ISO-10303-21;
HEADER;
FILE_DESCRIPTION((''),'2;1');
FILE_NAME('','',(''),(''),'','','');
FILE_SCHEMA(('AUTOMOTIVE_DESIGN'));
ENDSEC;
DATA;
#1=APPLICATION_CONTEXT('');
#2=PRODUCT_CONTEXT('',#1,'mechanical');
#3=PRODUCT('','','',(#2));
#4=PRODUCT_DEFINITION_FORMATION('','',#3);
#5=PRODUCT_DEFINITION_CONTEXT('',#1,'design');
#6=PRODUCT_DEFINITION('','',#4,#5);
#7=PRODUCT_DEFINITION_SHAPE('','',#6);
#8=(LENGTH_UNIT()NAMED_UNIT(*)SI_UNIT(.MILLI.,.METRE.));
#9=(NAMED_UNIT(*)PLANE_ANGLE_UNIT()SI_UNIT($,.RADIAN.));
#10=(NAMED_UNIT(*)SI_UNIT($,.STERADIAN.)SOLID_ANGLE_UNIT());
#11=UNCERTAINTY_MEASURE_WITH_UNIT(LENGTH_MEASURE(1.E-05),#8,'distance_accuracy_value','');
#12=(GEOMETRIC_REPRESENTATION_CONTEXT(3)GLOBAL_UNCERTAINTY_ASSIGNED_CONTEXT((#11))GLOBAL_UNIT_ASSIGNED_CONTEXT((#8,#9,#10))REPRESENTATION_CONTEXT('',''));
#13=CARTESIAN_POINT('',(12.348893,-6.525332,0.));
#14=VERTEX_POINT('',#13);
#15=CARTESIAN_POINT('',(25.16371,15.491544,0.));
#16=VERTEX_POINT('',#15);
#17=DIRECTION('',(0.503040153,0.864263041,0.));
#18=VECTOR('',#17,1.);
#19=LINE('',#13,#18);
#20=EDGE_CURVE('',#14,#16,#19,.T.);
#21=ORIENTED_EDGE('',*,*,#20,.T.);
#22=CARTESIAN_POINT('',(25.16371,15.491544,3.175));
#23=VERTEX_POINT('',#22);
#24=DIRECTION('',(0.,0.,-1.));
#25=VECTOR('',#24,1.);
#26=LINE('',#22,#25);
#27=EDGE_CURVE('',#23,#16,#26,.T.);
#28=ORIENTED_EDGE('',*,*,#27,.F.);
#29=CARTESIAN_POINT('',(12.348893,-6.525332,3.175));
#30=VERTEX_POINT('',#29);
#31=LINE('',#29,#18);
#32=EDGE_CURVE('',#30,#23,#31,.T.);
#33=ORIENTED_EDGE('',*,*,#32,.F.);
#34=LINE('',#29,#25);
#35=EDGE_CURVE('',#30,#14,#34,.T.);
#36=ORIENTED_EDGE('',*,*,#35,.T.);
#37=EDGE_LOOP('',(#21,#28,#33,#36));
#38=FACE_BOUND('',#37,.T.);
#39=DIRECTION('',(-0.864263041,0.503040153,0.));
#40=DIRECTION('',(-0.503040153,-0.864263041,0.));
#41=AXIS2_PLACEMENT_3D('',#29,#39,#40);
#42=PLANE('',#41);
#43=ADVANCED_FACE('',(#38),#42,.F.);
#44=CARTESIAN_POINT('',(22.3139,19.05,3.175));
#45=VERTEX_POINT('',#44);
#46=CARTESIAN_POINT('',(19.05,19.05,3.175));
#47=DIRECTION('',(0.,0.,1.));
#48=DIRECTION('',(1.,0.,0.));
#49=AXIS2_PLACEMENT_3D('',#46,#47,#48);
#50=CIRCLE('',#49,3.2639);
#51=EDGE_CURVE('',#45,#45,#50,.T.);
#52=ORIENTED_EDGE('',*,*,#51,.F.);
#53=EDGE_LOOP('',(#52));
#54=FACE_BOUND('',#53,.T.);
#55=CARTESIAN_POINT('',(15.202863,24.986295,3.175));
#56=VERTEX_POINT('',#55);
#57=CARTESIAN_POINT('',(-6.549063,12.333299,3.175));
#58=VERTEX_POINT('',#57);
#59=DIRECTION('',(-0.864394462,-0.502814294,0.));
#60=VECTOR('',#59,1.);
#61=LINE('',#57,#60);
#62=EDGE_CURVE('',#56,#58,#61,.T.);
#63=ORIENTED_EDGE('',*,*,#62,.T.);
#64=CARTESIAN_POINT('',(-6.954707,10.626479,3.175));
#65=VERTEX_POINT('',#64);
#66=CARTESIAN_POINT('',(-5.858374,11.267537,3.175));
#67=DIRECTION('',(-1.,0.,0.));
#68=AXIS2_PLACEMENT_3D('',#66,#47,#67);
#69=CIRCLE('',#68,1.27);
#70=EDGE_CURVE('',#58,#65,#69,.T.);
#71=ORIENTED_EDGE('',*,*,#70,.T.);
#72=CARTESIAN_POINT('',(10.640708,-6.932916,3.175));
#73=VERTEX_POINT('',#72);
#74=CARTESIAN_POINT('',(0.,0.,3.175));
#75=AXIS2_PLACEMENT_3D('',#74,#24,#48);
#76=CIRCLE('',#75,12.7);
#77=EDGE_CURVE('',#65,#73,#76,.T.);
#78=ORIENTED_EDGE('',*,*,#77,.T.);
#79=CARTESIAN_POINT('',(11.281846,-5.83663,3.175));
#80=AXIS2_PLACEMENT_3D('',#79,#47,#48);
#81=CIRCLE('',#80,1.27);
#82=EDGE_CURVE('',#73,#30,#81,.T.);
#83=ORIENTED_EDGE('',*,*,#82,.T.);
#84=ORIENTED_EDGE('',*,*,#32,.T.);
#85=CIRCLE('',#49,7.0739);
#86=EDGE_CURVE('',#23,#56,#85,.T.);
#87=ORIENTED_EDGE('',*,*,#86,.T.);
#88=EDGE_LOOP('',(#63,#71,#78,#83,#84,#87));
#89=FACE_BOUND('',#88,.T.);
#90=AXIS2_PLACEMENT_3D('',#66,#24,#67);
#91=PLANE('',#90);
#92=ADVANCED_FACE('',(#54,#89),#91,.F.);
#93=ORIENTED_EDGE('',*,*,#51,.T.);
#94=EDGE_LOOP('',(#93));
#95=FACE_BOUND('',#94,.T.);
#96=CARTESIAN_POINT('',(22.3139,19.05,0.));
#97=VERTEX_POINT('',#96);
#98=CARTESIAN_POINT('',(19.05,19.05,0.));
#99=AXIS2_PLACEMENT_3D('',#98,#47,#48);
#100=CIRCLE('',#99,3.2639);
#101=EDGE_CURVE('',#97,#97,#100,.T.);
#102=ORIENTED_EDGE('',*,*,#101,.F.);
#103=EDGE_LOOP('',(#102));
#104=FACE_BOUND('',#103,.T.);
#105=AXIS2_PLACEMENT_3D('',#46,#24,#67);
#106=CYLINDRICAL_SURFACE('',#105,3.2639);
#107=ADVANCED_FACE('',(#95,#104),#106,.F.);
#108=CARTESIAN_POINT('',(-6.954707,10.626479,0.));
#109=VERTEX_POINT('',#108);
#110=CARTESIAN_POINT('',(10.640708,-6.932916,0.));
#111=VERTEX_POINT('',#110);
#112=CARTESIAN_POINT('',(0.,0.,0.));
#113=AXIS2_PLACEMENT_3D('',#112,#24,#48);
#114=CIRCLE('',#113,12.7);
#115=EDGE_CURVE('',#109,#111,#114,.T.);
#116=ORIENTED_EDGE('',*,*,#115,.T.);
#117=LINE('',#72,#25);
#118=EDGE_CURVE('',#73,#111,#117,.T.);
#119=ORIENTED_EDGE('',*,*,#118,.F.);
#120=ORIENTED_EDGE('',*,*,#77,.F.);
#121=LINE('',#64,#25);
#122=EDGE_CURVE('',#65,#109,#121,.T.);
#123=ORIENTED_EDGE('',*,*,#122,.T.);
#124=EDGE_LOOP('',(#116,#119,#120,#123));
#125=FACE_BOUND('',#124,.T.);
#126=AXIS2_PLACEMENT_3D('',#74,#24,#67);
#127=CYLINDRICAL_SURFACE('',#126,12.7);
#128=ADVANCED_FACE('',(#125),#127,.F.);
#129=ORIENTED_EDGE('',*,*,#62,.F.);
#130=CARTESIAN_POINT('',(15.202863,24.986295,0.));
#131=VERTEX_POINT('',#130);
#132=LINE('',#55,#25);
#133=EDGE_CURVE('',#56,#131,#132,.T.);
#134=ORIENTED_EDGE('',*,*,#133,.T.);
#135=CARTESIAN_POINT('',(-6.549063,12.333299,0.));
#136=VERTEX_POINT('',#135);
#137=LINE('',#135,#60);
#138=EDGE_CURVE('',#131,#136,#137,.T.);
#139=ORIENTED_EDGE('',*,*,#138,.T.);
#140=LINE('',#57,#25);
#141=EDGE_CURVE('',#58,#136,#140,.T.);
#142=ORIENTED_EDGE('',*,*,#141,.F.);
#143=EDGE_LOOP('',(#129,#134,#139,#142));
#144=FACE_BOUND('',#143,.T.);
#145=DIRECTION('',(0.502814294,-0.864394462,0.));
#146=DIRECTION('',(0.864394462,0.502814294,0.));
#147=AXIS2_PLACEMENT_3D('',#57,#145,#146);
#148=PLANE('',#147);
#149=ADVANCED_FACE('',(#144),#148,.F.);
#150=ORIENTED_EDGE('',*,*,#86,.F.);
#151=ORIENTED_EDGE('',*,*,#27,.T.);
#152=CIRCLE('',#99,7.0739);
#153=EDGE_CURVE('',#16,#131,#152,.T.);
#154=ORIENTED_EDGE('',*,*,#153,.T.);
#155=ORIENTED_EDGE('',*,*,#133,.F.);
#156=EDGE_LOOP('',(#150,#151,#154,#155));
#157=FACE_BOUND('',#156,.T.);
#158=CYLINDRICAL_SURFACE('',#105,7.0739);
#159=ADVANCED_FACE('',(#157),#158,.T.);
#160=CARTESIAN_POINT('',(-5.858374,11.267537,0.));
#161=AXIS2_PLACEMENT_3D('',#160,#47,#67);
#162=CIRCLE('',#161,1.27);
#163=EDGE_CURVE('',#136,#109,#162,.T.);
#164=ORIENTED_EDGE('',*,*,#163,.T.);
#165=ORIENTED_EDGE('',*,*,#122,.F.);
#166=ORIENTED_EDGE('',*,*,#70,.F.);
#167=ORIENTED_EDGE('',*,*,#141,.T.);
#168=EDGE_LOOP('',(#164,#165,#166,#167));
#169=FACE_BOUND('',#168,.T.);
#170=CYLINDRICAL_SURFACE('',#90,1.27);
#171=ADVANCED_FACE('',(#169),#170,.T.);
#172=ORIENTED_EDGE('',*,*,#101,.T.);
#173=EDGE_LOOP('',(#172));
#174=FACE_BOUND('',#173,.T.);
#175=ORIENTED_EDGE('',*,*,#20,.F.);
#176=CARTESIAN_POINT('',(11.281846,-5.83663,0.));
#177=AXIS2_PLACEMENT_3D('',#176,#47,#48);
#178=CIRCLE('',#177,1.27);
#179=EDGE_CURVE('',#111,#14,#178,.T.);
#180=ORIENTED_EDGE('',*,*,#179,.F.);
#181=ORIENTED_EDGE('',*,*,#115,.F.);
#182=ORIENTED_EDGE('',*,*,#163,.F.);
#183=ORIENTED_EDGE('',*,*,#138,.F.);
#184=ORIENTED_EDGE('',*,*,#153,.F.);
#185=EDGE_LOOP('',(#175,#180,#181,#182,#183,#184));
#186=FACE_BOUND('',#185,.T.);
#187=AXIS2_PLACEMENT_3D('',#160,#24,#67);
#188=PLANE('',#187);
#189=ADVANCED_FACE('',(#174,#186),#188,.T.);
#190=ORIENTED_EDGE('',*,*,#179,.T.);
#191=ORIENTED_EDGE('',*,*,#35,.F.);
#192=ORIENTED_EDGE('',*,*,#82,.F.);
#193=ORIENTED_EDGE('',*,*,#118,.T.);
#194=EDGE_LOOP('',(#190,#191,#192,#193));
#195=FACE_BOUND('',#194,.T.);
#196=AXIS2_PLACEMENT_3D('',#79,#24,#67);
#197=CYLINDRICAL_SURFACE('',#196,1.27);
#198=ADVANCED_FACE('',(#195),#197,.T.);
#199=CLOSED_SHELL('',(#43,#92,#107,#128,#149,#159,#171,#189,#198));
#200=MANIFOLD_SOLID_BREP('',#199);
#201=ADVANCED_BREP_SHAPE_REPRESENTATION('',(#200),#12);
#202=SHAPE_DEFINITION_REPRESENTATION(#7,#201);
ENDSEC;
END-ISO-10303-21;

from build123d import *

# Parameters (mm, degrees)
SKETCH1_R           = 3.2639
BOSS_EXTRUDE1_DEPTH = 3.175


with BuildPart() as part:
    # Sketch1 → Boss-Extrude1 (new body)
    with BuildSketch(Plane.XY):
        with BuildLine():
            Line((-6.54906316, 12.333299322), (15.202863294, 24.986295173))
            ThreePointArc((15.202863294, 24.986295173), (23.930769686, 24.17036605), (25.163710326, 15.491544259))
            Line((25.163710326, 15.491544259), (12.348893474, -6.525331544))
            ThreePointArc((12.348893474, -6.525331544), (11.576601959, -7.071951545), (10.640708411, -6.932916018))
            ThreePointArc((10.640708411, -6.932916018), (8.971050146, 8.989452668), (-6.954706605, 10.626479005))
            ThreePointArc((-6.954706605, 10.626479005), (-7.093959218, 11.561186656), (-6.54906316, 12.333299322))
        make_face()
        with Locations((19.05, 19.05)):
            Circle(SKETCH1_R, mode=Mode.SUBTRACT)
    extrude(amount=BOSS_EXTRUDE1_DEPTH)


solid = part.part
